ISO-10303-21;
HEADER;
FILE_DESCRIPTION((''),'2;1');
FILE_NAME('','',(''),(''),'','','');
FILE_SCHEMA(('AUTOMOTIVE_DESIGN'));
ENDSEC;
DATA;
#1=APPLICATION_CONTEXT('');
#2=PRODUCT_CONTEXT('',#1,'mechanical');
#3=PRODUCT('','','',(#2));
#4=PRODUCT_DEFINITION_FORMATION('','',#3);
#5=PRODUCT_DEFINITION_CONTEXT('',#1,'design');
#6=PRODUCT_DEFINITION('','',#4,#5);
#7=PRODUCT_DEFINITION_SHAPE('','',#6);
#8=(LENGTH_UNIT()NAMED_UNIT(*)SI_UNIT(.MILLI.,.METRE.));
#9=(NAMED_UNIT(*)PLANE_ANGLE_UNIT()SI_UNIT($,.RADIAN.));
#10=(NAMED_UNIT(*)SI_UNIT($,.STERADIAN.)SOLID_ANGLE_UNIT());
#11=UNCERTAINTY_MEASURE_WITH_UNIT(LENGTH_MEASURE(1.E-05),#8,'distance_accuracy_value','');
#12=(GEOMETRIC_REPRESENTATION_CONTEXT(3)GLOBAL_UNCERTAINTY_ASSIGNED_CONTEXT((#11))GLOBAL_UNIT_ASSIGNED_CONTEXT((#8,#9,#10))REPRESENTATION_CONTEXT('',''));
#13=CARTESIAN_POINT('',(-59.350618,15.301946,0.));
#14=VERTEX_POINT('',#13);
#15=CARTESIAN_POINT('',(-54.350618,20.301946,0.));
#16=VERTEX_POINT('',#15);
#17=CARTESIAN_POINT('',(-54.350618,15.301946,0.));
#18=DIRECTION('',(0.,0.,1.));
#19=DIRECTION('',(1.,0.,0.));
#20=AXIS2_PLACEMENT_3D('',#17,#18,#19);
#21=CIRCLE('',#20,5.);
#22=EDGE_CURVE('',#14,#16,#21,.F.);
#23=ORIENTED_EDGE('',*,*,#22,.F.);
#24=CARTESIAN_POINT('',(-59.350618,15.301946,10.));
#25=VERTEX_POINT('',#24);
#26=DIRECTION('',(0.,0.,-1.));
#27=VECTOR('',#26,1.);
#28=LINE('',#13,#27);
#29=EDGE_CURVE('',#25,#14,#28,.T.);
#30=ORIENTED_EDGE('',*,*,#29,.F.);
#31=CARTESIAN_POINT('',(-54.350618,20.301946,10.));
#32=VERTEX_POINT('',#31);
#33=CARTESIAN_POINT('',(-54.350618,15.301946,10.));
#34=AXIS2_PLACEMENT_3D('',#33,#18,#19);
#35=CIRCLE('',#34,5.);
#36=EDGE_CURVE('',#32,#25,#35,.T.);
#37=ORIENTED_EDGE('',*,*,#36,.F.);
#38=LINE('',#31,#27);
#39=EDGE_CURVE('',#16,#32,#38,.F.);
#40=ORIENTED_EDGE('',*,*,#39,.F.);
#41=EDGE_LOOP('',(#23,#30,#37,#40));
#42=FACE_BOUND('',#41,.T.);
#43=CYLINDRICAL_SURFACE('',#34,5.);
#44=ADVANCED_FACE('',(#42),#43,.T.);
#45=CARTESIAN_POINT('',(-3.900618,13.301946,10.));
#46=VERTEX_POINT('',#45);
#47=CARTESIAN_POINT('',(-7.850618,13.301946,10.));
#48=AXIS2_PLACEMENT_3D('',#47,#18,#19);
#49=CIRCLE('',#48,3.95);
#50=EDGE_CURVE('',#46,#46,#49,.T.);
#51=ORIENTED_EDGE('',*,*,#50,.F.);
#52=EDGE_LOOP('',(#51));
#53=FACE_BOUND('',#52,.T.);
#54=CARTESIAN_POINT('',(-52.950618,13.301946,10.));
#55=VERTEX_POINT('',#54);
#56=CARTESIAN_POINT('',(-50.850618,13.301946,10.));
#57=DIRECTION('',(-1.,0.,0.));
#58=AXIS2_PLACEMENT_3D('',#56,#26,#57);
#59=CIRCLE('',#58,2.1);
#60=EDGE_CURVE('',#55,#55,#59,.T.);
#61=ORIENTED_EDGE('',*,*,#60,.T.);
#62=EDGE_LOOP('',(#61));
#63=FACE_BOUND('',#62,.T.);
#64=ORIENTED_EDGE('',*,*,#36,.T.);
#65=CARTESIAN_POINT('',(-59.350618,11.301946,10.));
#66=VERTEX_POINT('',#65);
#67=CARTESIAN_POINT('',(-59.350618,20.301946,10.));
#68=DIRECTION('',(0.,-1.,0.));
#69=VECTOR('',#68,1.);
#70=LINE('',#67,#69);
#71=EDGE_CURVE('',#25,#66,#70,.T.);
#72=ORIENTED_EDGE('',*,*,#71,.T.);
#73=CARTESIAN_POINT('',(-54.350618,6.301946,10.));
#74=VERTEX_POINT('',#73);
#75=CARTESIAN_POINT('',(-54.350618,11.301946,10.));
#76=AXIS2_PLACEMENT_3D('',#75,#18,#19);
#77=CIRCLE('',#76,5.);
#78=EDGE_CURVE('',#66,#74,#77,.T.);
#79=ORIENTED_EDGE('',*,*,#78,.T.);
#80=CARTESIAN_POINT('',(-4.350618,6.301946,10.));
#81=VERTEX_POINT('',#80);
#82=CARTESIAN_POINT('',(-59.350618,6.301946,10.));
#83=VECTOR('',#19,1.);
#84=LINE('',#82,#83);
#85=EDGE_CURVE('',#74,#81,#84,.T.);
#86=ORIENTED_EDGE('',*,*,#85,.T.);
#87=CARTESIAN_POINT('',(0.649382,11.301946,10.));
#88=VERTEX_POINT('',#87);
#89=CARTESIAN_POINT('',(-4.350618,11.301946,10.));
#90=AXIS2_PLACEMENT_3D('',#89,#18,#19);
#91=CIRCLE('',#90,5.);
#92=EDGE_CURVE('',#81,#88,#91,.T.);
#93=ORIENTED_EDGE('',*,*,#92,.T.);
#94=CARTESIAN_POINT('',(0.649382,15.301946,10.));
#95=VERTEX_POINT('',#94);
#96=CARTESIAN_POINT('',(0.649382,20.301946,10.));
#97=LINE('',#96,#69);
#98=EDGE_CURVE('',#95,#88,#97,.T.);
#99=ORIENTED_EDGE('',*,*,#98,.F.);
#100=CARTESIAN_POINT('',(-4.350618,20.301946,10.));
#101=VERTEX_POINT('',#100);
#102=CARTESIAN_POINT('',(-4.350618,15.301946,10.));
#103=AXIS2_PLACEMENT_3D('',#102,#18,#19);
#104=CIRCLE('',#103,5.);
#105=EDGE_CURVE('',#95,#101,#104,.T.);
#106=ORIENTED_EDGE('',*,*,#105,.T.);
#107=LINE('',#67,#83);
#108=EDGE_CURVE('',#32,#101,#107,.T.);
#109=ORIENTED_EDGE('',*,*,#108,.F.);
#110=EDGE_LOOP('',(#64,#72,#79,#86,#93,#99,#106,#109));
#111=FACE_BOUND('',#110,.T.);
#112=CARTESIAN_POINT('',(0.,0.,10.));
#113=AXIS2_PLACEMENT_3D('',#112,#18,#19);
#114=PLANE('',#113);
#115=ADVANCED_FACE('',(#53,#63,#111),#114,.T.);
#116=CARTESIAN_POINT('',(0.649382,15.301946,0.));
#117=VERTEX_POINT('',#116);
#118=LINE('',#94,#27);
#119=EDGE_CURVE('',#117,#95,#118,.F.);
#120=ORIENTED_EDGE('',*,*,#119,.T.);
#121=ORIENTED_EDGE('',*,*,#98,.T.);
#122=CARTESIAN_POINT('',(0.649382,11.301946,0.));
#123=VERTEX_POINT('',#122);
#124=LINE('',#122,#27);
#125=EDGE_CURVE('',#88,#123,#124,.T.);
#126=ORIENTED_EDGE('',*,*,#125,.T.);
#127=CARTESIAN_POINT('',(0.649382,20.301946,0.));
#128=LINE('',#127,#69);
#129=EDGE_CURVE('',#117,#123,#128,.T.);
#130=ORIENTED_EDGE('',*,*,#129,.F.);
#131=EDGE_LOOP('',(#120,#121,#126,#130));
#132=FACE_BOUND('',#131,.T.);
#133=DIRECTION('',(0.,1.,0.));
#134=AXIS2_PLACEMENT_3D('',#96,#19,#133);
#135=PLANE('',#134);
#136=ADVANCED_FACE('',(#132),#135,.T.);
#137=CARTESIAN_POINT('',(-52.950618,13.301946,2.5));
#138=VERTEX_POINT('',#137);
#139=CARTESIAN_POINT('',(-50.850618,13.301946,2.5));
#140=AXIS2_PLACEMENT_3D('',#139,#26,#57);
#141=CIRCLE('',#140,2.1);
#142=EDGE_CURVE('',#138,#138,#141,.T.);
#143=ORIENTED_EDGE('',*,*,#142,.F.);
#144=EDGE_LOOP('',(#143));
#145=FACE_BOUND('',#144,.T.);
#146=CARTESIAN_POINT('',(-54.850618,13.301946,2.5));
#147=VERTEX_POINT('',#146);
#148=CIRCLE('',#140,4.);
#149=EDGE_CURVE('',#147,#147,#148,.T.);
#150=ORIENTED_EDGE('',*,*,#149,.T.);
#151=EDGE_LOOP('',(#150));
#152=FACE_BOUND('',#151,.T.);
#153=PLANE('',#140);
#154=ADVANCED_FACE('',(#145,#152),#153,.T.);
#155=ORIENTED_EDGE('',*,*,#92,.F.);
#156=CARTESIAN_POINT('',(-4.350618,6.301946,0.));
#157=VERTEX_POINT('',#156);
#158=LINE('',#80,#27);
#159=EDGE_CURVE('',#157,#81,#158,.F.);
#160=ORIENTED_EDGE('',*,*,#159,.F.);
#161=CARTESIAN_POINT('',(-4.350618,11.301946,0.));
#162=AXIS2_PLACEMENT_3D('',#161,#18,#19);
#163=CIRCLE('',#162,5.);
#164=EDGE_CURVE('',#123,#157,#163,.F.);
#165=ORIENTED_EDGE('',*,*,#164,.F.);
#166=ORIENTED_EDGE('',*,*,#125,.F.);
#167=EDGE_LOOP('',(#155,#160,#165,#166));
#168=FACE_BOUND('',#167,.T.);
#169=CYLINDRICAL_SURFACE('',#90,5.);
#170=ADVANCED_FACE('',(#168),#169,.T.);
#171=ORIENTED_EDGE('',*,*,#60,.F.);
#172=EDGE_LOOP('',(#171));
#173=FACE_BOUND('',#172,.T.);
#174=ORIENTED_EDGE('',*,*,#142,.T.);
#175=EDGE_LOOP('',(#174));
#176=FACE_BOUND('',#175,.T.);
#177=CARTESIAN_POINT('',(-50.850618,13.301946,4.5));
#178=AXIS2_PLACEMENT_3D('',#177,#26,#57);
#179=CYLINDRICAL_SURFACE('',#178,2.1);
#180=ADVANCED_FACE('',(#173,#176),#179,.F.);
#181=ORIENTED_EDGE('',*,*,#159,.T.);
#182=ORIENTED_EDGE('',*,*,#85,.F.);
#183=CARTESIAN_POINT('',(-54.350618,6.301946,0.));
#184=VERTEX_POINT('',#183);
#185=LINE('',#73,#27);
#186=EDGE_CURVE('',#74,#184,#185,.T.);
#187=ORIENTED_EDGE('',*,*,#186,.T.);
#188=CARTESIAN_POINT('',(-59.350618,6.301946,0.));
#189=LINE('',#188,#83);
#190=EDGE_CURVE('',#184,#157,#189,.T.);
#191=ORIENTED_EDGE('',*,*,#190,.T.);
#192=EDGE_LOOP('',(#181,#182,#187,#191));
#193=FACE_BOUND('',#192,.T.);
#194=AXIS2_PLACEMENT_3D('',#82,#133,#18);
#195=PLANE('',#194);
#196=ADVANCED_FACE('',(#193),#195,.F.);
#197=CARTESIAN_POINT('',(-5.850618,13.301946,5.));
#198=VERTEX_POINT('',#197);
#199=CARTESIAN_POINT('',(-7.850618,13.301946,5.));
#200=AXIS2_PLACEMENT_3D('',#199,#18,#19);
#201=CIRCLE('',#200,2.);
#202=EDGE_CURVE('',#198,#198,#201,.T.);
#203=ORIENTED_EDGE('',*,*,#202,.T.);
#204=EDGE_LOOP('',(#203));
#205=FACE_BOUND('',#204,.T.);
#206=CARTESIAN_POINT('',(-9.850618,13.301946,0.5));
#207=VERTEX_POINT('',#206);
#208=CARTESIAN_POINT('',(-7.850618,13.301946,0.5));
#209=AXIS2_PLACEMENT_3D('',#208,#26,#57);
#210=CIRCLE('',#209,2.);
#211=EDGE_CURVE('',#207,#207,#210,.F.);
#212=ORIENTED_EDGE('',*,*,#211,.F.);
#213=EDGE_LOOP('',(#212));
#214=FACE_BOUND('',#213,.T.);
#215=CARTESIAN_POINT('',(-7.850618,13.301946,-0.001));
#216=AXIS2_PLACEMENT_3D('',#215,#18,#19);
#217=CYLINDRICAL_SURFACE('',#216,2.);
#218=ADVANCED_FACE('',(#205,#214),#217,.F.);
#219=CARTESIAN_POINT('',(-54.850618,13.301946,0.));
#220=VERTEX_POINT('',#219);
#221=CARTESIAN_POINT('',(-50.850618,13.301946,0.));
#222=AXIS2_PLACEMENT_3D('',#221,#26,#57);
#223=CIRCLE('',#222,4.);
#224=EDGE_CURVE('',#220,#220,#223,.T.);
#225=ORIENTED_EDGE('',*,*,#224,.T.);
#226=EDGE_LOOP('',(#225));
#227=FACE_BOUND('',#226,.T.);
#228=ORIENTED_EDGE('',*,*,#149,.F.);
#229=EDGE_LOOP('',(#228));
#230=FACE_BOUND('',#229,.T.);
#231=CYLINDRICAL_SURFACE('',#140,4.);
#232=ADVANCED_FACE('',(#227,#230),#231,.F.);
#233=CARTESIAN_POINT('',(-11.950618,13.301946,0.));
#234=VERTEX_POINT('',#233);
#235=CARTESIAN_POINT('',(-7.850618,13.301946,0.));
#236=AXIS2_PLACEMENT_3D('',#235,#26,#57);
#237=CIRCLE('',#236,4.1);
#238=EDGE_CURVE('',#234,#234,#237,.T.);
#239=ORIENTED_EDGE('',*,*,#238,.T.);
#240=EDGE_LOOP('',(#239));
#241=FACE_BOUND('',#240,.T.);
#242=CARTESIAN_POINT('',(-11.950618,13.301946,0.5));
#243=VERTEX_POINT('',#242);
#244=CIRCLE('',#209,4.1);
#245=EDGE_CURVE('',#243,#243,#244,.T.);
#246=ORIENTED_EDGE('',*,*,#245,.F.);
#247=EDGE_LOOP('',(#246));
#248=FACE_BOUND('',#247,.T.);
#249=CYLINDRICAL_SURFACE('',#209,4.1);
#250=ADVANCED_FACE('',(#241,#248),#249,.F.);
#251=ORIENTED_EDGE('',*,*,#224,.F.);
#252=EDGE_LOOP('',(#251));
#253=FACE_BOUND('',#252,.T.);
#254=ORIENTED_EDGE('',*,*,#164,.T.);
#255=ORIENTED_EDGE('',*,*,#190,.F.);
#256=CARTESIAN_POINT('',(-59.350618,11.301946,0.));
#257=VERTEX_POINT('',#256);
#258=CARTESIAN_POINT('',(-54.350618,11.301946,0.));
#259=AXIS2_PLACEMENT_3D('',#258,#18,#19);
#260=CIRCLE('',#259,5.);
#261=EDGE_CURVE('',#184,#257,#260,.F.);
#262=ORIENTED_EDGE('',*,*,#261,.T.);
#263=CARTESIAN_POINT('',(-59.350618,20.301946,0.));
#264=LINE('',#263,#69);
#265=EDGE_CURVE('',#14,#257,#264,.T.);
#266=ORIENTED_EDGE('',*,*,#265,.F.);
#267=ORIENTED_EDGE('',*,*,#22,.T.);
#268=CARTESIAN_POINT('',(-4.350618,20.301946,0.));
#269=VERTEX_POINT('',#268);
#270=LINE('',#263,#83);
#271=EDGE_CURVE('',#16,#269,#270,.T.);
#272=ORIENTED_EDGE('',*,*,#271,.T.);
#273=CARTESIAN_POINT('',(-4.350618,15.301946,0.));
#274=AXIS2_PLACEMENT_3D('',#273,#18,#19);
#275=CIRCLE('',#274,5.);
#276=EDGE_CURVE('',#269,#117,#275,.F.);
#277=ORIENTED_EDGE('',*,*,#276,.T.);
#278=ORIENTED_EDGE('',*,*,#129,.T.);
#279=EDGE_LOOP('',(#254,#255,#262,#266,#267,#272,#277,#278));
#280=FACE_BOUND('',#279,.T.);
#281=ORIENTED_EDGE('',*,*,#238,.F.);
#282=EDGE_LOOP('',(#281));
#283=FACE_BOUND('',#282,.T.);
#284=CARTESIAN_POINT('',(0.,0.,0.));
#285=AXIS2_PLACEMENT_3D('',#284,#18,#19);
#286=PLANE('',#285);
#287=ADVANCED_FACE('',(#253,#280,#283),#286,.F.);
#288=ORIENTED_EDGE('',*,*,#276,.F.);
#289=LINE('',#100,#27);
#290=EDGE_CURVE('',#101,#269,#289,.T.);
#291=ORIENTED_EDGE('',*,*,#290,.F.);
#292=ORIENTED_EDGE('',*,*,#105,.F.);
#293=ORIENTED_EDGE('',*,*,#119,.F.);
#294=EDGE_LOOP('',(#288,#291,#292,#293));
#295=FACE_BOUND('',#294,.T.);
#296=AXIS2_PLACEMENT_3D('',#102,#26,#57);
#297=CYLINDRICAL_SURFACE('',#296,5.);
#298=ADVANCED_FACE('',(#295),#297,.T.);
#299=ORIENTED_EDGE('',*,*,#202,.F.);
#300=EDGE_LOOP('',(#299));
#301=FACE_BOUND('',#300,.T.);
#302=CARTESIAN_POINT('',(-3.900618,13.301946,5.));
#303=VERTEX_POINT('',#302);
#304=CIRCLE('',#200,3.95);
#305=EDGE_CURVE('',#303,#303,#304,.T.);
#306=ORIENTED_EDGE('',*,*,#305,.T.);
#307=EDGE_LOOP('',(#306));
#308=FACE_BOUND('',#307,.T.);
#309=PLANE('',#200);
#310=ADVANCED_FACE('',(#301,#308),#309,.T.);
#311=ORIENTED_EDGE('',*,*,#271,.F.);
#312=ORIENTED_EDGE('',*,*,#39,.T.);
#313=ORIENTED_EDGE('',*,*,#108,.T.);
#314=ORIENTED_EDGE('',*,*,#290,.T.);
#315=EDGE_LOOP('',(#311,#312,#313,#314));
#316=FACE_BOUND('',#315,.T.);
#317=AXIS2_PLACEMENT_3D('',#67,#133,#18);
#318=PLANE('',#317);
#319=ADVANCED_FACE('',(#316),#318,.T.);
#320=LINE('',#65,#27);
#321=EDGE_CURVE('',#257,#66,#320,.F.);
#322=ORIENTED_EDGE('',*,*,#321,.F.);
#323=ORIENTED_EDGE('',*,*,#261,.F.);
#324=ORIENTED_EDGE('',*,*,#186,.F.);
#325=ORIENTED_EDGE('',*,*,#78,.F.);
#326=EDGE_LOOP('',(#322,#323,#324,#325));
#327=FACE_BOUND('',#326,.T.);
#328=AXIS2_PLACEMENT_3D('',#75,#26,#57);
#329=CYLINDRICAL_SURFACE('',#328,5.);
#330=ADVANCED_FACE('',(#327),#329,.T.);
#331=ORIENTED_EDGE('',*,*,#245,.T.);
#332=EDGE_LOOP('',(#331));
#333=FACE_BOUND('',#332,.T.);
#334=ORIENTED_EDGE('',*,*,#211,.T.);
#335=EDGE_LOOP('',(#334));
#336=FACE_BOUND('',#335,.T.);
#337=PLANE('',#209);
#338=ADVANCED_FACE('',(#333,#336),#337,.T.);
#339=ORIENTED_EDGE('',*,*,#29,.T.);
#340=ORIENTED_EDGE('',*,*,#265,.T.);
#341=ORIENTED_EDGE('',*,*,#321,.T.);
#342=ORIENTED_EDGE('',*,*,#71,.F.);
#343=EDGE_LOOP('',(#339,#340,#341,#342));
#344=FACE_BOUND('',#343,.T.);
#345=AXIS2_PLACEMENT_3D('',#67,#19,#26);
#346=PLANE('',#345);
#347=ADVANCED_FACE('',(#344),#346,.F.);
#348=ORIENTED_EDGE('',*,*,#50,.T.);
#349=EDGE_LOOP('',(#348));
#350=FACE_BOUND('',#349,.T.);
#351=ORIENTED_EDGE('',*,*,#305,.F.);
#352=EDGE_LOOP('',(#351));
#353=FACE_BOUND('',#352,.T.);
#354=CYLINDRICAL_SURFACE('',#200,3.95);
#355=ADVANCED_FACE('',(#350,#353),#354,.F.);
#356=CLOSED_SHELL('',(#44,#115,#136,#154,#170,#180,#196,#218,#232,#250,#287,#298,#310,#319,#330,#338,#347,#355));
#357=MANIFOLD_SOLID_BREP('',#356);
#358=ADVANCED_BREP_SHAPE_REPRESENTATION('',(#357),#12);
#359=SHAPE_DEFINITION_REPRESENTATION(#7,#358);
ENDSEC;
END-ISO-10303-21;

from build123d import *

# Parameters (mm, degrees)
SKETCH1_W           = 60
SKETCH1_H           = 14
BOSS_EXTRUDE1_DEPTH = 10
FILLET1_R           = 5
FILLET2_R           = 5
SKETCH2_R           = 4
CUT_EXTRUDE2_DEPTH  = 2.5
SKETCH3_R           = 2.1
CUT_EXTRUDE3_DEPTH  = 2
SKETCH4_R           = 3.95
CUT_EXTRUDE4_DEPTH  = 5
CUT_EXTRUDE5_REACH  = 64.926
SKETCH5_R           = 2
SKETCH7_R           = 2.1
CUT_EXTRUDE6_DEPTH  = 63.967570185
SKETCH6_R           = 4.1
CUT_EXTRUDE7_DEPTH  = 0.5


with BuildPart() as part:
    # Sketch1 → Boss-Extrude1 (new body)
    with BuildSketch(Plane.XY):
        with Locations((-29.350618243, 13.301945946)):
            Rectangle(SKETCH1_W, SKETCH1_H)
    extrude(amount=BOSS_EXTRUDE1_DEPTH)

    # Fillet1
    fillet1_edges = [part.edges().sort_by_distance(p)[0] for p in [
        (-59.350618243, 20.301945946, 5),
    ]]
    fillet(fillet1_edges, radius=FILLET1_R)

    # Fillet2
    fillet2_edges = [part.edges().sort_by_distance(p)[0] for p in [
        (0.649381757, 20.301945946, 5),
        (0.649381757, 6.301945946, 5),
        (-59.350618243, 6.301945946, 5),
    ]]
    fillet(fillet2_edges, radius=FILLET2_R)

    # Sketch2 → Cut-Extrude2 (cut)
    with BuildSketch(Plane(origin=(0, 0, 0), x_dir=(-1, 0, 0), z_dir=(0, 0, -1))):
        with Locations((50.850618243, 13.301945946)):
            Circle(SKETCH2_R)
    extrude(amount=-CUT_EXTRUDE2_DEPTH, mode=Mode.SUBTRACT)

    # Sketch3 → Cut-Extrude3 (cut)
    with BuildSketch(Plane(origin=(0, 0, 2.5), x_dir=(-1, 0, 0), z_dir=(0, 0, -1))):
        with Locations((50.850618243, 13.301945946)):
            Circle(SKETCH3_R)
    extrude(amount=-CUT_EXTRUDE3_DEPTH, mode=Mode.SUBTRACT)

    # Sketch4 → Cut-Extrude4 (cut)
    with BuildSketch(Plane.XY.offset(10)):
        with Locations((-7.850618243, 13.301945946)):
            Circle(SKETCH4_R)
    extrude(amount=-CUT_EXTRUDE4_DEPTH, mode=Mode.SUBTRACT)

    # Sketch5 → Cut-Extrude5 (cut, up to next)
    with BuildSketch(Plane.XY.offset(5), mode=Mode.PRIVATE) as cut_extrude5_sk1:
        with Locations((-7.850618243, 13.301945946)):
            Circle(SKETCH5_R)
    cut_extrude5_tool1 = extrude(cut_extrude5_sk1.sketch, amount=-CUT_EXTRUDE5_REACH, mode=Mode.PRIVATE) & part.part
    add(cut_extrude5_tool1.solids().sort_by_distance((-7.850618, 13.301946, 5))[0], mode=Mode.SUBTRACT)

    # Sketch7 → Cut-Extrude6 (cut, through all)
    with BuildSketch(Plane(origin=(0, 0, 4.5), x_dir=(-1, 0, 0), z_dir=(0, 0, -1))):
        with Locations((50.850618243, 13.301945946)):
            Circle(SKETCH7_R)
    extrude(amount=-CUT_EXTRUDE6_DEPTH, mode=Mode.SUBTRACT)

    # Sketch6 → Cut-Extrude7 (cut)
    with BuildSketch(Plane(origin=(0, 0, 0), x_dir=(-1, 0, 0), z_dir=(0, 0, -1))):
        with Locations((7.850618243, 13.301945946)):
            Circle(SKETCH6_R)
    extrude(amount=-CUT_EXTRUDE7_DEPTH, mode=Mode.SUBTRACT)


solid = part.part
